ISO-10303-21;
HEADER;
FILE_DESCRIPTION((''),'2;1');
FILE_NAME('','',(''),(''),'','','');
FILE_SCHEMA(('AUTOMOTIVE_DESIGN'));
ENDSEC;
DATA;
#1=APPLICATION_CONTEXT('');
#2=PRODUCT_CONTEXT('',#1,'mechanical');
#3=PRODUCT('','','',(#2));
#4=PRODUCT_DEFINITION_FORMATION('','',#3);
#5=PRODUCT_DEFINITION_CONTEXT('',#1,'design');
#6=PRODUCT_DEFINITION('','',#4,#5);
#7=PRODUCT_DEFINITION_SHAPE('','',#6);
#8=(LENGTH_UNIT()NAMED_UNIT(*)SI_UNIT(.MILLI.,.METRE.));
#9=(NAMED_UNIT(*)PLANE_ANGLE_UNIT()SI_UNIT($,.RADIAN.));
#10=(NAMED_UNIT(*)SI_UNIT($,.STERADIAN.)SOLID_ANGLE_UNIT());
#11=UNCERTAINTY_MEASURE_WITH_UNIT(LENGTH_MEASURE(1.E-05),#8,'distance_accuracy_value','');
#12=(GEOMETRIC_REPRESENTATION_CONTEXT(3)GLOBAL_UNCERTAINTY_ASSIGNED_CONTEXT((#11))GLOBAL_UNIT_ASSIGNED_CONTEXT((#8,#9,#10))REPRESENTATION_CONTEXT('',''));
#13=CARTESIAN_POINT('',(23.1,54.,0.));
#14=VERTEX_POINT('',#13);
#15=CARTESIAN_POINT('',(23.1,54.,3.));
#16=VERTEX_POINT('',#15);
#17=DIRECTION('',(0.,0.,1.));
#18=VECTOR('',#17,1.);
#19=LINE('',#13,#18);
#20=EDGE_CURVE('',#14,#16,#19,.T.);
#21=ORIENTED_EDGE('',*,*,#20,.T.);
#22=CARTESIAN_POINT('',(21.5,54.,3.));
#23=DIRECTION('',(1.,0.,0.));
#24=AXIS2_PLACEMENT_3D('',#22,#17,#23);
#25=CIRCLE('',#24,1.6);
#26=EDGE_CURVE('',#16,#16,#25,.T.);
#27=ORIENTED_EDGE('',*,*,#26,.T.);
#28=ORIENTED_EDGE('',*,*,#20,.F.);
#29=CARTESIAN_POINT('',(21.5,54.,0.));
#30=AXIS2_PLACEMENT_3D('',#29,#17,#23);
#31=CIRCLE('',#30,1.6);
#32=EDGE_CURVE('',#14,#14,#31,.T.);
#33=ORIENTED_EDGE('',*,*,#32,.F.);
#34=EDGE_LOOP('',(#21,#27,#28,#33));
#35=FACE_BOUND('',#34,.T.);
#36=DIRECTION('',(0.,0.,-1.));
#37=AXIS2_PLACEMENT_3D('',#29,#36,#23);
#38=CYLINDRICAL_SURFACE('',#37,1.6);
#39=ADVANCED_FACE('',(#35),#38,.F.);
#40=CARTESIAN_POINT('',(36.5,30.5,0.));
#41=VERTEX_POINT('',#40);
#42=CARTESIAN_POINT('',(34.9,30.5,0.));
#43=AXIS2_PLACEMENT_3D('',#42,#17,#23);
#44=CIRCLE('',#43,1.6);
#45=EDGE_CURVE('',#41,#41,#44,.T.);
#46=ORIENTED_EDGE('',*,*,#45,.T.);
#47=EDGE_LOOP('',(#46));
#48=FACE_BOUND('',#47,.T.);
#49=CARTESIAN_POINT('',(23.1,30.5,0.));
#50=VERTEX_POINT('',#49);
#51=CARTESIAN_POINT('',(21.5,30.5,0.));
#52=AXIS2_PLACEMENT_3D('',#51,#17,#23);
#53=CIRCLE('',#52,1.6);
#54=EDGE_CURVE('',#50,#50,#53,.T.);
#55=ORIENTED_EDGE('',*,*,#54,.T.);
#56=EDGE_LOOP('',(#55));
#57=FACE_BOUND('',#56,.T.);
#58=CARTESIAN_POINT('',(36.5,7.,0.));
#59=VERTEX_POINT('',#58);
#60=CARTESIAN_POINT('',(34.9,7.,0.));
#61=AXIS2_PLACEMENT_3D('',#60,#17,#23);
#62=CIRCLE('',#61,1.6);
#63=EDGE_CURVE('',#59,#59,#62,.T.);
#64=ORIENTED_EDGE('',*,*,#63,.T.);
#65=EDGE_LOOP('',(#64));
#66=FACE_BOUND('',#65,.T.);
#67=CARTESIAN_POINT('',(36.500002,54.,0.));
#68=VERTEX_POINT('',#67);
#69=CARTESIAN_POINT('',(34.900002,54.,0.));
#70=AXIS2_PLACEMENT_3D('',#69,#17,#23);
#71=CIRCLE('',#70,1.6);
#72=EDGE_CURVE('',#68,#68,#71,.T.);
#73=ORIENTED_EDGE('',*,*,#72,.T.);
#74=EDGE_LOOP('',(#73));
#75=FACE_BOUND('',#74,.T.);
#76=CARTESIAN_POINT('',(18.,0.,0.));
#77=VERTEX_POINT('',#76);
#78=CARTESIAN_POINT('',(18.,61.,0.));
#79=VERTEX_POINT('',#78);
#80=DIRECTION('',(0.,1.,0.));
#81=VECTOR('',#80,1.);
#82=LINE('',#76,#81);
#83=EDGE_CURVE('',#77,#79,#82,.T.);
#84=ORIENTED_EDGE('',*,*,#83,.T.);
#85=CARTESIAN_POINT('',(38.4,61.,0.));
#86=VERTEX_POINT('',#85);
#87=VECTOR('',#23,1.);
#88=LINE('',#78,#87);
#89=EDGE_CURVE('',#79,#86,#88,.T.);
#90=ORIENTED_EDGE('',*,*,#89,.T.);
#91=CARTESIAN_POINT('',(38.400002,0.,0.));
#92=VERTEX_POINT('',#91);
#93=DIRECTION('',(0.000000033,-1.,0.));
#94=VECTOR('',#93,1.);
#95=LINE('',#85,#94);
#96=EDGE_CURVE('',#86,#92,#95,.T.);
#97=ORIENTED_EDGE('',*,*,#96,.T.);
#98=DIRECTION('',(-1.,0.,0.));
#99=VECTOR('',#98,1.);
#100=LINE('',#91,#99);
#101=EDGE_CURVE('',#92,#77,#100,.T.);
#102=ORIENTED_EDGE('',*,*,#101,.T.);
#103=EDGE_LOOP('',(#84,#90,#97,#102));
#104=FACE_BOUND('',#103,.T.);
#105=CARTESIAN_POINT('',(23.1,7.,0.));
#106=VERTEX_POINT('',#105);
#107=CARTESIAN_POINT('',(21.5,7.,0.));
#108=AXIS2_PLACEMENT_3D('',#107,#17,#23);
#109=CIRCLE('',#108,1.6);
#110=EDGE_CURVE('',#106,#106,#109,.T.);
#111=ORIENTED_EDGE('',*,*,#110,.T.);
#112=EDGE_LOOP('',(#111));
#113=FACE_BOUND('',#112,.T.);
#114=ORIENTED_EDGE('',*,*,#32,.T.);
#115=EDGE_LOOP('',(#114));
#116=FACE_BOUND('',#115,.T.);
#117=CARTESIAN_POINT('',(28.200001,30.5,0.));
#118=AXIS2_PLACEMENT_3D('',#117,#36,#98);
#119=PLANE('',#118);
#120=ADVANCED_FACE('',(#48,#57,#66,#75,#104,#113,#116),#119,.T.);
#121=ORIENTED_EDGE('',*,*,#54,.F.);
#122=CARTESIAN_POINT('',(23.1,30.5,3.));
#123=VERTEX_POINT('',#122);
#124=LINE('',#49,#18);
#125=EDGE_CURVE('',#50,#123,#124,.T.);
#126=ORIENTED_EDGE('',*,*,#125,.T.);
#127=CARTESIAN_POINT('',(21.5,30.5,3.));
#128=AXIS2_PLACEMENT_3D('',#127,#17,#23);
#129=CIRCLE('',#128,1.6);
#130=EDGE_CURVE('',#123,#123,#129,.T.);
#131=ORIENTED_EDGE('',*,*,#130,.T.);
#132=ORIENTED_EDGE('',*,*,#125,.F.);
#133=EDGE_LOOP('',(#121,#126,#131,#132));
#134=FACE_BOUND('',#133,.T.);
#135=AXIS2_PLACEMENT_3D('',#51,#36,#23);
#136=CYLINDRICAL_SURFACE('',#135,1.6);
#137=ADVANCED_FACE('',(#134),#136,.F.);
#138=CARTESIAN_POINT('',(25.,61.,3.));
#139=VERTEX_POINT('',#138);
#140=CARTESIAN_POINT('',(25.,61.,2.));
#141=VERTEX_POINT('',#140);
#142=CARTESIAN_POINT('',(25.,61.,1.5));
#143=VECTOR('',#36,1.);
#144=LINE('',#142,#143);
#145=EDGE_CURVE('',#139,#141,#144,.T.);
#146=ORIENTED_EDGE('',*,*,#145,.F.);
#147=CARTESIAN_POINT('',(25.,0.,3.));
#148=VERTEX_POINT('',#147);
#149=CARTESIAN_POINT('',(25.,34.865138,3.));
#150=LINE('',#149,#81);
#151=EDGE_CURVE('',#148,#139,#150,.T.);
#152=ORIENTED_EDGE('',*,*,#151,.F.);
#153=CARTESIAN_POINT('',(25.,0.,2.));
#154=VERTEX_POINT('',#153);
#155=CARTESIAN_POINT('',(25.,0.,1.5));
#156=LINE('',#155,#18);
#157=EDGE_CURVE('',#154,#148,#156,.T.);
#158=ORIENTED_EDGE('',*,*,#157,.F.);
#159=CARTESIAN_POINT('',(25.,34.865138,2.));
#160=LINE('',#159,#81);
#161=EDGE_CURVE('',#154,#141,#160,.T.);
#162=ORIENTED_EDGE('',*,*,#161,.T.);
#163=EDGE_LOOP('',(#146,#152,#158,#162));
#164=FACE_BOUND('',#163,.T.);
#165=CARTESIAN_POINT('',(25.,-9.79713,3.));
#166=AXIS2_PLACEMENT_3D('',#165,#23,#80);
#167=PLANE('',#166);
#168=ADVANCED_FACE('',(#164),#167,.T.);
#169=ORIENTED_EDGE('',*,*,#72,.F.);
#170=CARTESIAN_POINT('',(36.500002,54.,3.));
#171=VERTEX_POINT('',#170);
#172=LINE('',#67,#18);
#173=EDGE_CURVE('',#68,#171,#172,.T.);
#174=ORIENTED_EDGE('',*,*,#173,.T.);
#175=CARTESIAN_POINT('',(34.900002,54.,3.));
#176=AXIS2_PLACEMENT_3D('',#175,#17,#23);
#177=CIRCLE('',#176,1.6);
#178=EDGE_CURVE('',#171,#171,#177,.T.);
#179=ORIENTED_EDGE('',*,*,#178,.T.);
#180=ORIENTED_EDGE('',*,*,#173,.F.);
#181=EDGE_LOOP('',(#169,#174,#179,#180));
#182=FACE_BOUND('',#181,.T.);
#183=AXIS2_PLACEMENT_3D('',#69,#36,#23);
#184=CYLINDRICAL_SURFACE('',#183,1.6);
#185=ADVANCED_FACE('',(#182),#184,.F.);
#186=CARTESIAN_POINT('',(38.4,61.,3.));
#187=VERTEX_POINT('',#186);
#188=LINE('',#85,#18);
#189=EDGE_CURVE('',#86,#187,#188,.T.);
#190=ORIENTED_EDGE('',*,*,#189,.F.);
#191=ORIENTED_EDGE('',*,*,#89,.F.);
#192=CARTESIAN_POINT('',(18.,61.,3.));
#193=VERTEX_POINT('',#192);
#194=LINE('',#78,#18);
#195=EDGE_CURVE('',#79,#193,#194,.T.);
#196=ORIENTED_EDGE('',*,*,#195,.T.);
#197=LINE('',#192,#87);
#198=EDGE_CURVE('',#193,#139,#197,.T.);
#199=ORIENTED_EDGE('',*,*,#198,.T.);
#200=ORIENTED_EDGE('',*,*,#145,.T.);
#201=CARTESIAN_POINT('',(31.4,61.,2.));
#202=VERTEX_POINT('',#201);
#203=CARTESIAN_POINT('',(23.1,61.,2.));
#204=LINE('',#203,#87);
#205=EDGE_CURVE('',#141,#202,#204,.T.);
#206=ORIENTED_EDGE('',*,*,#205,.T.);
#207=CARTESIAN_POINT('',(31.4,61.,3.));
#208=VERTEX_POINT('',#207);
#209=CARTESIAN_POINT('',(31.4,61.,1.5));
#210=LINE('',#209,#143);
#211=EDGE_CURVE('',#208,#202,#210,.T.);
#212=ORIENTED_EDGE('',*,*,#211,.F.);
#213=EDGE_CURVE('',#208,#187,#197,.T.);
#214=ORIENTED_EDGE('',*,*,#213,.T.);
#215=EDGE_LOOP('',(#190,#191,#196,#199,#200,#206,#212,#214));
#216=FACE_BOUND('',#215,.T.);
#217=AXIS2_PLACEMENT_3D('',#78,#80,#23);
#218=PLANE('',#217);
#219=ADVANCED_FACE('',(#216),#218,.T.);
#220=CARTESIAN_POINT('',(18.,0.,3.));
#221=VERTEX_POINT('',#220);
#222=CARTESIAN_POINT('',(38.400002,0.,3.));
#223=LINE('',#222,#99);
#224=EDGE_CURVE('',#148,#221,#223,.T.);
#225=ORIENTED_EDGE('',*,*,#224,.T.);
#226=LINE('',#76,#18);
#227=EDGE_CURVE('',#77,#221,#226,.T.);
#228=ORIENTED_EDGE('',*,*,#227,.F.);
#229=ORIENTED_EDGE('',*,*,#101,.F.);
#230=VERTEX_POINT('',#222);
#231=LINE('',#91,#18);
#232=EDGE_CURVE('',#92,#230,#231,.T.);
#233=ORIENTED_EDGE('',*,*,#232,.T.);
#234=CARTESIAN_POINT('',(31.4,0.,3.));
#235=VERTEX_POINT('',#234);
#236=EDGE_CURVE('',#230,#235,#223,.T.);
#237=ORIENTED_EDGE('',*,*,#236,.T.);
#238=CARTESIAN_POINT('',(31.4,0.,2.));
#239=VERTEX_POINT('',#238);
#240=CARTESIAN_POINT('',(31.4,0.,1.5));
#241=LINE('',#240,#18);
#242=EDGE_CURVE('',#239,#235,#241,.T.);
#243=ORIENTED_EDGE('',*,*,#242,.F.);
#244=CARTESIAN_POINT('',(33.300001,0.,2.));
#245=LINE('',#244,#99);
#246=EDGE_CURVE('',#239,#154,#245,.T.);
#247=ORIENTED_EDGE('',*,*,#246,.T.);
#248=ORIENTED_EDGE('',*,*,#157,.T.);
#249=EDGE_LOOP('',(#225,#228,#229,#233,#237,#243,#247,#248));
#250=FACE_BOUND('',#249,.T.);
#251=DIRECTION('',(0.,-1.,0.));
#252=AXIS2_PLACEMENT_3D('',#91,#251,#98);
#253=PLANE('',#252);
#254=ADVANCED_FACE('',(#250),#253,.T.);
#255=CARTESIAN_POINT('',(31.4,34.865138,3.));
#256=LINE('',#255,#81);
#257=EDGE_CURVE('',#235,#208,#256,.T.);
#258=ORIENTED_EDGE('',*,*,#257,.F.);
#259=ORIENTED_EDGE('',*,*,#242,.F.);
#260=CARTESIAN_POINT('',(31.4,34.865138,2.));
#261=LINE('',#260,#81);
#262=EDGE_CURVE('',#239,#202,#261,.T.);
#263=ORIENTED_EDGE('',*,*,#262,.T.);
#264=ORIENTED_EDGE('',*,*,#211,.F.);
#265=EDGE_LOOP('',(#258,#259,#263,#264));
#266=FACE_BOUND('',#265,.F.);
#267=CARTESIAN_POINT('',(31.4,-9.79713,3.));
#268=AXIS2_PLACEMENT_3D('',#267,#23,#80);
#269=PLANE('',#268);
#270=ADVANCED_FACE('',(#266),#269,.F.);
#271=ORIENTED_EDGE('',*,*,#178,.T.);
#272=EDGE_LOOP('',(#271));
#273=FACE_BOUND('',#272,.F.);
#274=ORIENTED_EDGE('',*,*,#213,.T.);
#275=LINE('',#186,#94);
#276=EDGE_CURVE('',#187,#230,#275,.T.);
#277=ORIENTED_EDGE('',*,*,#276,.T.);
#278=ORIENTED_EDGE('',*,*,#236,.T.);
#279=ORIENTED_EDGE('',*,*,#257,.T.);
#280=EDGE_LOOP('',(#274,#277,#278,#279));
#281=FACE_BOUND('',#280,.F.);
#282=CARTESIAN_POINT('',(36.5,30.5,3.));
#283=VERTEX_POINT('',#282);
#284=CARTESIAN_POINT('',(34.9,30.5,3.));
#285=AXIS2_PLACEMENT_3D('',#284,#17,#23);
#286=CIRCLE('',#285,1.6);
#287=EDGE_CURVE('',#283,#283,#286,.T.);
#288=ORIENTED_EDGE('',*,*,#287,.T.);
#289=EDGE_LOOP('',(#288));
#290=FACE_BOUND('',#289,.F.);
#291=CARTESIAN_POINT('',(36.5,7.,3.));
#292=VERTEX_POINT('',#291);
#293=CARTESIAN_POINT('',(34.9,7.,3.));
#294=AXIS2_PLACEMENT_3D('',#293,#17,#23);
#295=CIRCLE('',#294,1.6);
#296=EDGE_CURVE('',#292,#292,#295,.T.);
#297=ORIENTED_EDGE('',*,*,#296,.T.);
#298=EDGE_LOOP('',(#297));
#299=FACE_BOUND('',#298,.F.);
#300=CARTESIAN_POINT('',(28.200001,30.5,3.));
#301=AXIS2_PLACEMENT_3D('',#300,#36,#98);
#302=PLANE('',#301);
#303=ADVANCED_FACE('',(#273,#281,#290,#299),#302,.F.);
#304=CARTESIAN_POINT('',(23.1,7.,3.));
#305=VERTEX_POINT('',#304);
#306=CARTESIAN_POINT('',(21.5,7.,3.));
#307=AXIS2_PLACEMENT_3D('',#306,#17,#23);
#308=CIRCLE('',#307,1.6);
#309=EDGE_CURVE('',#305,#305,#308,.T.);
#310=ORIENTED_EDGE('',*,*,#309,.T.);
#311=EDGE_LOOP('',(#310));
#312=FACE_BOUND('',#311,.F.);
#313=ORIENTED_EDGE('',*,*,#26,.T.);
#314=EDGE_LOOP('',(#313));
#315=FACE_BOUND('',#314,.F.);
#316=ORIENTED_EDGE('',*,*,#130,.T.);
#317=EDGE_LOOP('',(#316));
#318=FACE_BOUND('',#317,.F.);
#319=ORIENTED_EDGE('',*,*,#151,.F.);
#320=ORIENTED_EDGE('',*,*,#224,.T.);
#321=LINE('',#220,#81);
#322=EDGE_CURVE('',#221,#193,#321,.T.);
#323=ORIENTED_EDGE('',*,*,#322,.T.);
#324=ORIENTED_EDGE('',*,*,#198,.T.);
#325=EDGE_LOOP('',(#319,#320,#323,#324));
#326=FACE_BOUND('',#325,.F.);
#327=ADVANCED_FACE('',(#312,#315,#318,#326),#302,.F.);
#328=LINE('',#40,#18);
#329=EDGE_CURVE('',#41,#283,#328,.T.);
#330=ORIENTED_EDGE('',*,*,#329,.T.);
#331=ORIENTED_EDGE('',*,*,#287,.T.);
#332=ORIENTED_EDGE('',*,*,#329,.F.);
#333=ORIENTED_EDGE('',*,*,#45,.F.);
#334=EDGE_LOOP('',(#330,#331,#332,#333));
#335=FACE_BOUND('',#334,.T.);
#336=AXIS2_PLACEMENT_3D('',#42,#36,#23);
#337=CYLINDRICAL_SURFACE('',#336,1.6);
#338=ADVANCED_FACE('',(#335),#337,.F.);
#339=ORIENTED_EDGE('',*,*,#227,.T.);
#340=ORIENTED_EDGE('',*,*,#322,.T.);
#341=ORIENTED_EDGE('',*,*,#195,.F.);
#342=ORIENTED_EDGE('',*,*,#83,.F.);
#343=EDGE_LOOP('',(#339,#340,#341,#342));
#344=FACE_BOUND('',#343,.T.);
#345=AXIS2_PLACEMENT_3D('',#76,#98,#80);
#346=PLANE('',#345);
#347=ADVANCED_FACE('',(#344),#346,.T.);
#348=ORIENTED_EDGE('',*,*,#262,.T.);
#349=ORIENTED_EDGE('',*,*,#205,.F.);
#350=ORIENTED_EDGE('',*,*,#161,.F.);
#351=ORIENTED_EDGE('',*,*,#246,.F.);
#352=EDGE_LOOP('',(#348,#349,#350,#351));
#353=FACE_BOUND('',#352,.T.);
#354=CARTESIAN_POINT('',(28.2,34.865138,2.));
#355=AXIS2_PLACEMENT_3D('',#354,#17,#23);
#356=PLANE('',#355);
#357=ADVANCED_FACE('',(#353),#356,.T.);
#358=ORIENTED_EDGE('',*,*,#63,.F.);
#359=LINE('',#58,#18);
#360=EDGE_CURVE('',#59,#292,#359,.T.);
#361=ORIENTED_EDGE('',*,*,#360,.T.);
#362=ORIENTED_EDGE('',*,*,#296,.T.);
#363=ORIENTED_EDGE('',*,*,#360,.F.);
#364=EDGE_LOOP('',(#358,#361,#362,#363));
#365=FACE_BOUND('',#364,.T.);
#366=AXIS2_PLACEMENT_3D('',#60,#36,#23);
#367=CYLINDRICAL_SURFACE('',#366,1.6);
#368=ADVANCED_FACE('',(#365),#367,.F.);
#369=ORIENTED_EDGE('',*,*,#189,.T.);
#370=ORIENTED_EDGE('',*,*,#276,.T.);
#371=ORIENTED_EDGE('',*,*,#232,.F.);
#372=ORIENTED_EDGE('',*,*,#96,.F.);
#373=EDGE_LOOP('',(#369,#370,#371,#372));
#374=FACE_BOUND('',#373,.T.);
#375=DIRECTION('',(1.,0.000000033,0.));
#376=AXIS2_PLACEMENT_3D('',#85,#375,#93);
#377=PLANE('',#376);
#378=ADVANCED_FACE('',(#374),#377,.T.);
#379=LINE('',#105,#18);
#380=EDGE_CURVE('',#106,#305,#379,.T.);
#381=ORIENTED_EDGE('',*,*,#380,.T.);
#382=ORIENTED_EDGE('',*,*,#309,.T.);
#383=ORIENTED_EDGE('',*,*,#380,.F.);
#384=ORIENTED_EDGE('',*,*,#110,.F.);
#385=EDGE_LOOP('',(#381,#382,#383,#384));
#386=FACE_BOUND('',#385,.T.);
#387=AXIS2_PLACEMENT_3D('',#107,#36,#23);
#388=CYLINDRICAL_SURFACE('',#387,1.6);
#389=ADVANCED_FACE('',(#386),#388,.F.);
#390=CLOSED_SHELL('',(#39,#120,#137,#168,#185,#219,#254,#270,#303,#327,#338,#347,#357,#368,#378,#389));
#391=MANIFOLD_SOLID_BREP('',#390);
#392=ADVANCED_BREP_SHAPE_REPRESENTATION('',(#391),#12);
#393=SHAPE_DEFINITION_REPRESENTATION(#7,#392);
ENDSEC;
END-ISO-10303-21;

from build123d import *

# Parameters (mm, degrees)
SKETCH_R     = 1.6
PAD_DEPTH    = 3
SKETCH001_W  = 6.4
SKETCH001_H  = 89.324535
POCKET_DEPTH = 1


with BuildPart() as part:
    # Sketch → Pad (new body)
    with BuildSketch(Plane.XY):
        Polygon((18, 0), (18, 61), (38.4, 61), (38.400002, 0), align=None)
        with Locations((21.5, 54)):
            Circle(SKETCH_R, mode=Mode.SUBTRACT)
        with Locations((21.5, 7)):
            Circle(SKETCH_R, mode=Mode.SUBTRACT)
        with Locations((34.9, 7)):
            Circle(SKETCH_R, mode=Mode.SUBTRACT)
        with Locations((34.900002, 54)):
            Circle(SKETCH_R, mode=Mode.SUBTRACT)
        with Locations((34.9, 30.5)):
            Circle(SKETCH_R, mode=Mode.SUBTRACT)
        with Locations((21.5, 30.5)):
            Circle(SKETCH_R, mode=Mode.SUBTRACT)
    extrude(amount=PAD_DEPTH)

    # Sketch001 (on Face12 of Pad) → Pocket (cut)
    with BuildSketch(Plane.XY.offset(3)):
        with Locations((28.2, 34.865138)):
            Rectangle(SKETCH001_W, SKETCH001_H)
    extrude(amount=-POCKET_DEPTH, mode=Mode.SUBTRACT)


solid = part.part
